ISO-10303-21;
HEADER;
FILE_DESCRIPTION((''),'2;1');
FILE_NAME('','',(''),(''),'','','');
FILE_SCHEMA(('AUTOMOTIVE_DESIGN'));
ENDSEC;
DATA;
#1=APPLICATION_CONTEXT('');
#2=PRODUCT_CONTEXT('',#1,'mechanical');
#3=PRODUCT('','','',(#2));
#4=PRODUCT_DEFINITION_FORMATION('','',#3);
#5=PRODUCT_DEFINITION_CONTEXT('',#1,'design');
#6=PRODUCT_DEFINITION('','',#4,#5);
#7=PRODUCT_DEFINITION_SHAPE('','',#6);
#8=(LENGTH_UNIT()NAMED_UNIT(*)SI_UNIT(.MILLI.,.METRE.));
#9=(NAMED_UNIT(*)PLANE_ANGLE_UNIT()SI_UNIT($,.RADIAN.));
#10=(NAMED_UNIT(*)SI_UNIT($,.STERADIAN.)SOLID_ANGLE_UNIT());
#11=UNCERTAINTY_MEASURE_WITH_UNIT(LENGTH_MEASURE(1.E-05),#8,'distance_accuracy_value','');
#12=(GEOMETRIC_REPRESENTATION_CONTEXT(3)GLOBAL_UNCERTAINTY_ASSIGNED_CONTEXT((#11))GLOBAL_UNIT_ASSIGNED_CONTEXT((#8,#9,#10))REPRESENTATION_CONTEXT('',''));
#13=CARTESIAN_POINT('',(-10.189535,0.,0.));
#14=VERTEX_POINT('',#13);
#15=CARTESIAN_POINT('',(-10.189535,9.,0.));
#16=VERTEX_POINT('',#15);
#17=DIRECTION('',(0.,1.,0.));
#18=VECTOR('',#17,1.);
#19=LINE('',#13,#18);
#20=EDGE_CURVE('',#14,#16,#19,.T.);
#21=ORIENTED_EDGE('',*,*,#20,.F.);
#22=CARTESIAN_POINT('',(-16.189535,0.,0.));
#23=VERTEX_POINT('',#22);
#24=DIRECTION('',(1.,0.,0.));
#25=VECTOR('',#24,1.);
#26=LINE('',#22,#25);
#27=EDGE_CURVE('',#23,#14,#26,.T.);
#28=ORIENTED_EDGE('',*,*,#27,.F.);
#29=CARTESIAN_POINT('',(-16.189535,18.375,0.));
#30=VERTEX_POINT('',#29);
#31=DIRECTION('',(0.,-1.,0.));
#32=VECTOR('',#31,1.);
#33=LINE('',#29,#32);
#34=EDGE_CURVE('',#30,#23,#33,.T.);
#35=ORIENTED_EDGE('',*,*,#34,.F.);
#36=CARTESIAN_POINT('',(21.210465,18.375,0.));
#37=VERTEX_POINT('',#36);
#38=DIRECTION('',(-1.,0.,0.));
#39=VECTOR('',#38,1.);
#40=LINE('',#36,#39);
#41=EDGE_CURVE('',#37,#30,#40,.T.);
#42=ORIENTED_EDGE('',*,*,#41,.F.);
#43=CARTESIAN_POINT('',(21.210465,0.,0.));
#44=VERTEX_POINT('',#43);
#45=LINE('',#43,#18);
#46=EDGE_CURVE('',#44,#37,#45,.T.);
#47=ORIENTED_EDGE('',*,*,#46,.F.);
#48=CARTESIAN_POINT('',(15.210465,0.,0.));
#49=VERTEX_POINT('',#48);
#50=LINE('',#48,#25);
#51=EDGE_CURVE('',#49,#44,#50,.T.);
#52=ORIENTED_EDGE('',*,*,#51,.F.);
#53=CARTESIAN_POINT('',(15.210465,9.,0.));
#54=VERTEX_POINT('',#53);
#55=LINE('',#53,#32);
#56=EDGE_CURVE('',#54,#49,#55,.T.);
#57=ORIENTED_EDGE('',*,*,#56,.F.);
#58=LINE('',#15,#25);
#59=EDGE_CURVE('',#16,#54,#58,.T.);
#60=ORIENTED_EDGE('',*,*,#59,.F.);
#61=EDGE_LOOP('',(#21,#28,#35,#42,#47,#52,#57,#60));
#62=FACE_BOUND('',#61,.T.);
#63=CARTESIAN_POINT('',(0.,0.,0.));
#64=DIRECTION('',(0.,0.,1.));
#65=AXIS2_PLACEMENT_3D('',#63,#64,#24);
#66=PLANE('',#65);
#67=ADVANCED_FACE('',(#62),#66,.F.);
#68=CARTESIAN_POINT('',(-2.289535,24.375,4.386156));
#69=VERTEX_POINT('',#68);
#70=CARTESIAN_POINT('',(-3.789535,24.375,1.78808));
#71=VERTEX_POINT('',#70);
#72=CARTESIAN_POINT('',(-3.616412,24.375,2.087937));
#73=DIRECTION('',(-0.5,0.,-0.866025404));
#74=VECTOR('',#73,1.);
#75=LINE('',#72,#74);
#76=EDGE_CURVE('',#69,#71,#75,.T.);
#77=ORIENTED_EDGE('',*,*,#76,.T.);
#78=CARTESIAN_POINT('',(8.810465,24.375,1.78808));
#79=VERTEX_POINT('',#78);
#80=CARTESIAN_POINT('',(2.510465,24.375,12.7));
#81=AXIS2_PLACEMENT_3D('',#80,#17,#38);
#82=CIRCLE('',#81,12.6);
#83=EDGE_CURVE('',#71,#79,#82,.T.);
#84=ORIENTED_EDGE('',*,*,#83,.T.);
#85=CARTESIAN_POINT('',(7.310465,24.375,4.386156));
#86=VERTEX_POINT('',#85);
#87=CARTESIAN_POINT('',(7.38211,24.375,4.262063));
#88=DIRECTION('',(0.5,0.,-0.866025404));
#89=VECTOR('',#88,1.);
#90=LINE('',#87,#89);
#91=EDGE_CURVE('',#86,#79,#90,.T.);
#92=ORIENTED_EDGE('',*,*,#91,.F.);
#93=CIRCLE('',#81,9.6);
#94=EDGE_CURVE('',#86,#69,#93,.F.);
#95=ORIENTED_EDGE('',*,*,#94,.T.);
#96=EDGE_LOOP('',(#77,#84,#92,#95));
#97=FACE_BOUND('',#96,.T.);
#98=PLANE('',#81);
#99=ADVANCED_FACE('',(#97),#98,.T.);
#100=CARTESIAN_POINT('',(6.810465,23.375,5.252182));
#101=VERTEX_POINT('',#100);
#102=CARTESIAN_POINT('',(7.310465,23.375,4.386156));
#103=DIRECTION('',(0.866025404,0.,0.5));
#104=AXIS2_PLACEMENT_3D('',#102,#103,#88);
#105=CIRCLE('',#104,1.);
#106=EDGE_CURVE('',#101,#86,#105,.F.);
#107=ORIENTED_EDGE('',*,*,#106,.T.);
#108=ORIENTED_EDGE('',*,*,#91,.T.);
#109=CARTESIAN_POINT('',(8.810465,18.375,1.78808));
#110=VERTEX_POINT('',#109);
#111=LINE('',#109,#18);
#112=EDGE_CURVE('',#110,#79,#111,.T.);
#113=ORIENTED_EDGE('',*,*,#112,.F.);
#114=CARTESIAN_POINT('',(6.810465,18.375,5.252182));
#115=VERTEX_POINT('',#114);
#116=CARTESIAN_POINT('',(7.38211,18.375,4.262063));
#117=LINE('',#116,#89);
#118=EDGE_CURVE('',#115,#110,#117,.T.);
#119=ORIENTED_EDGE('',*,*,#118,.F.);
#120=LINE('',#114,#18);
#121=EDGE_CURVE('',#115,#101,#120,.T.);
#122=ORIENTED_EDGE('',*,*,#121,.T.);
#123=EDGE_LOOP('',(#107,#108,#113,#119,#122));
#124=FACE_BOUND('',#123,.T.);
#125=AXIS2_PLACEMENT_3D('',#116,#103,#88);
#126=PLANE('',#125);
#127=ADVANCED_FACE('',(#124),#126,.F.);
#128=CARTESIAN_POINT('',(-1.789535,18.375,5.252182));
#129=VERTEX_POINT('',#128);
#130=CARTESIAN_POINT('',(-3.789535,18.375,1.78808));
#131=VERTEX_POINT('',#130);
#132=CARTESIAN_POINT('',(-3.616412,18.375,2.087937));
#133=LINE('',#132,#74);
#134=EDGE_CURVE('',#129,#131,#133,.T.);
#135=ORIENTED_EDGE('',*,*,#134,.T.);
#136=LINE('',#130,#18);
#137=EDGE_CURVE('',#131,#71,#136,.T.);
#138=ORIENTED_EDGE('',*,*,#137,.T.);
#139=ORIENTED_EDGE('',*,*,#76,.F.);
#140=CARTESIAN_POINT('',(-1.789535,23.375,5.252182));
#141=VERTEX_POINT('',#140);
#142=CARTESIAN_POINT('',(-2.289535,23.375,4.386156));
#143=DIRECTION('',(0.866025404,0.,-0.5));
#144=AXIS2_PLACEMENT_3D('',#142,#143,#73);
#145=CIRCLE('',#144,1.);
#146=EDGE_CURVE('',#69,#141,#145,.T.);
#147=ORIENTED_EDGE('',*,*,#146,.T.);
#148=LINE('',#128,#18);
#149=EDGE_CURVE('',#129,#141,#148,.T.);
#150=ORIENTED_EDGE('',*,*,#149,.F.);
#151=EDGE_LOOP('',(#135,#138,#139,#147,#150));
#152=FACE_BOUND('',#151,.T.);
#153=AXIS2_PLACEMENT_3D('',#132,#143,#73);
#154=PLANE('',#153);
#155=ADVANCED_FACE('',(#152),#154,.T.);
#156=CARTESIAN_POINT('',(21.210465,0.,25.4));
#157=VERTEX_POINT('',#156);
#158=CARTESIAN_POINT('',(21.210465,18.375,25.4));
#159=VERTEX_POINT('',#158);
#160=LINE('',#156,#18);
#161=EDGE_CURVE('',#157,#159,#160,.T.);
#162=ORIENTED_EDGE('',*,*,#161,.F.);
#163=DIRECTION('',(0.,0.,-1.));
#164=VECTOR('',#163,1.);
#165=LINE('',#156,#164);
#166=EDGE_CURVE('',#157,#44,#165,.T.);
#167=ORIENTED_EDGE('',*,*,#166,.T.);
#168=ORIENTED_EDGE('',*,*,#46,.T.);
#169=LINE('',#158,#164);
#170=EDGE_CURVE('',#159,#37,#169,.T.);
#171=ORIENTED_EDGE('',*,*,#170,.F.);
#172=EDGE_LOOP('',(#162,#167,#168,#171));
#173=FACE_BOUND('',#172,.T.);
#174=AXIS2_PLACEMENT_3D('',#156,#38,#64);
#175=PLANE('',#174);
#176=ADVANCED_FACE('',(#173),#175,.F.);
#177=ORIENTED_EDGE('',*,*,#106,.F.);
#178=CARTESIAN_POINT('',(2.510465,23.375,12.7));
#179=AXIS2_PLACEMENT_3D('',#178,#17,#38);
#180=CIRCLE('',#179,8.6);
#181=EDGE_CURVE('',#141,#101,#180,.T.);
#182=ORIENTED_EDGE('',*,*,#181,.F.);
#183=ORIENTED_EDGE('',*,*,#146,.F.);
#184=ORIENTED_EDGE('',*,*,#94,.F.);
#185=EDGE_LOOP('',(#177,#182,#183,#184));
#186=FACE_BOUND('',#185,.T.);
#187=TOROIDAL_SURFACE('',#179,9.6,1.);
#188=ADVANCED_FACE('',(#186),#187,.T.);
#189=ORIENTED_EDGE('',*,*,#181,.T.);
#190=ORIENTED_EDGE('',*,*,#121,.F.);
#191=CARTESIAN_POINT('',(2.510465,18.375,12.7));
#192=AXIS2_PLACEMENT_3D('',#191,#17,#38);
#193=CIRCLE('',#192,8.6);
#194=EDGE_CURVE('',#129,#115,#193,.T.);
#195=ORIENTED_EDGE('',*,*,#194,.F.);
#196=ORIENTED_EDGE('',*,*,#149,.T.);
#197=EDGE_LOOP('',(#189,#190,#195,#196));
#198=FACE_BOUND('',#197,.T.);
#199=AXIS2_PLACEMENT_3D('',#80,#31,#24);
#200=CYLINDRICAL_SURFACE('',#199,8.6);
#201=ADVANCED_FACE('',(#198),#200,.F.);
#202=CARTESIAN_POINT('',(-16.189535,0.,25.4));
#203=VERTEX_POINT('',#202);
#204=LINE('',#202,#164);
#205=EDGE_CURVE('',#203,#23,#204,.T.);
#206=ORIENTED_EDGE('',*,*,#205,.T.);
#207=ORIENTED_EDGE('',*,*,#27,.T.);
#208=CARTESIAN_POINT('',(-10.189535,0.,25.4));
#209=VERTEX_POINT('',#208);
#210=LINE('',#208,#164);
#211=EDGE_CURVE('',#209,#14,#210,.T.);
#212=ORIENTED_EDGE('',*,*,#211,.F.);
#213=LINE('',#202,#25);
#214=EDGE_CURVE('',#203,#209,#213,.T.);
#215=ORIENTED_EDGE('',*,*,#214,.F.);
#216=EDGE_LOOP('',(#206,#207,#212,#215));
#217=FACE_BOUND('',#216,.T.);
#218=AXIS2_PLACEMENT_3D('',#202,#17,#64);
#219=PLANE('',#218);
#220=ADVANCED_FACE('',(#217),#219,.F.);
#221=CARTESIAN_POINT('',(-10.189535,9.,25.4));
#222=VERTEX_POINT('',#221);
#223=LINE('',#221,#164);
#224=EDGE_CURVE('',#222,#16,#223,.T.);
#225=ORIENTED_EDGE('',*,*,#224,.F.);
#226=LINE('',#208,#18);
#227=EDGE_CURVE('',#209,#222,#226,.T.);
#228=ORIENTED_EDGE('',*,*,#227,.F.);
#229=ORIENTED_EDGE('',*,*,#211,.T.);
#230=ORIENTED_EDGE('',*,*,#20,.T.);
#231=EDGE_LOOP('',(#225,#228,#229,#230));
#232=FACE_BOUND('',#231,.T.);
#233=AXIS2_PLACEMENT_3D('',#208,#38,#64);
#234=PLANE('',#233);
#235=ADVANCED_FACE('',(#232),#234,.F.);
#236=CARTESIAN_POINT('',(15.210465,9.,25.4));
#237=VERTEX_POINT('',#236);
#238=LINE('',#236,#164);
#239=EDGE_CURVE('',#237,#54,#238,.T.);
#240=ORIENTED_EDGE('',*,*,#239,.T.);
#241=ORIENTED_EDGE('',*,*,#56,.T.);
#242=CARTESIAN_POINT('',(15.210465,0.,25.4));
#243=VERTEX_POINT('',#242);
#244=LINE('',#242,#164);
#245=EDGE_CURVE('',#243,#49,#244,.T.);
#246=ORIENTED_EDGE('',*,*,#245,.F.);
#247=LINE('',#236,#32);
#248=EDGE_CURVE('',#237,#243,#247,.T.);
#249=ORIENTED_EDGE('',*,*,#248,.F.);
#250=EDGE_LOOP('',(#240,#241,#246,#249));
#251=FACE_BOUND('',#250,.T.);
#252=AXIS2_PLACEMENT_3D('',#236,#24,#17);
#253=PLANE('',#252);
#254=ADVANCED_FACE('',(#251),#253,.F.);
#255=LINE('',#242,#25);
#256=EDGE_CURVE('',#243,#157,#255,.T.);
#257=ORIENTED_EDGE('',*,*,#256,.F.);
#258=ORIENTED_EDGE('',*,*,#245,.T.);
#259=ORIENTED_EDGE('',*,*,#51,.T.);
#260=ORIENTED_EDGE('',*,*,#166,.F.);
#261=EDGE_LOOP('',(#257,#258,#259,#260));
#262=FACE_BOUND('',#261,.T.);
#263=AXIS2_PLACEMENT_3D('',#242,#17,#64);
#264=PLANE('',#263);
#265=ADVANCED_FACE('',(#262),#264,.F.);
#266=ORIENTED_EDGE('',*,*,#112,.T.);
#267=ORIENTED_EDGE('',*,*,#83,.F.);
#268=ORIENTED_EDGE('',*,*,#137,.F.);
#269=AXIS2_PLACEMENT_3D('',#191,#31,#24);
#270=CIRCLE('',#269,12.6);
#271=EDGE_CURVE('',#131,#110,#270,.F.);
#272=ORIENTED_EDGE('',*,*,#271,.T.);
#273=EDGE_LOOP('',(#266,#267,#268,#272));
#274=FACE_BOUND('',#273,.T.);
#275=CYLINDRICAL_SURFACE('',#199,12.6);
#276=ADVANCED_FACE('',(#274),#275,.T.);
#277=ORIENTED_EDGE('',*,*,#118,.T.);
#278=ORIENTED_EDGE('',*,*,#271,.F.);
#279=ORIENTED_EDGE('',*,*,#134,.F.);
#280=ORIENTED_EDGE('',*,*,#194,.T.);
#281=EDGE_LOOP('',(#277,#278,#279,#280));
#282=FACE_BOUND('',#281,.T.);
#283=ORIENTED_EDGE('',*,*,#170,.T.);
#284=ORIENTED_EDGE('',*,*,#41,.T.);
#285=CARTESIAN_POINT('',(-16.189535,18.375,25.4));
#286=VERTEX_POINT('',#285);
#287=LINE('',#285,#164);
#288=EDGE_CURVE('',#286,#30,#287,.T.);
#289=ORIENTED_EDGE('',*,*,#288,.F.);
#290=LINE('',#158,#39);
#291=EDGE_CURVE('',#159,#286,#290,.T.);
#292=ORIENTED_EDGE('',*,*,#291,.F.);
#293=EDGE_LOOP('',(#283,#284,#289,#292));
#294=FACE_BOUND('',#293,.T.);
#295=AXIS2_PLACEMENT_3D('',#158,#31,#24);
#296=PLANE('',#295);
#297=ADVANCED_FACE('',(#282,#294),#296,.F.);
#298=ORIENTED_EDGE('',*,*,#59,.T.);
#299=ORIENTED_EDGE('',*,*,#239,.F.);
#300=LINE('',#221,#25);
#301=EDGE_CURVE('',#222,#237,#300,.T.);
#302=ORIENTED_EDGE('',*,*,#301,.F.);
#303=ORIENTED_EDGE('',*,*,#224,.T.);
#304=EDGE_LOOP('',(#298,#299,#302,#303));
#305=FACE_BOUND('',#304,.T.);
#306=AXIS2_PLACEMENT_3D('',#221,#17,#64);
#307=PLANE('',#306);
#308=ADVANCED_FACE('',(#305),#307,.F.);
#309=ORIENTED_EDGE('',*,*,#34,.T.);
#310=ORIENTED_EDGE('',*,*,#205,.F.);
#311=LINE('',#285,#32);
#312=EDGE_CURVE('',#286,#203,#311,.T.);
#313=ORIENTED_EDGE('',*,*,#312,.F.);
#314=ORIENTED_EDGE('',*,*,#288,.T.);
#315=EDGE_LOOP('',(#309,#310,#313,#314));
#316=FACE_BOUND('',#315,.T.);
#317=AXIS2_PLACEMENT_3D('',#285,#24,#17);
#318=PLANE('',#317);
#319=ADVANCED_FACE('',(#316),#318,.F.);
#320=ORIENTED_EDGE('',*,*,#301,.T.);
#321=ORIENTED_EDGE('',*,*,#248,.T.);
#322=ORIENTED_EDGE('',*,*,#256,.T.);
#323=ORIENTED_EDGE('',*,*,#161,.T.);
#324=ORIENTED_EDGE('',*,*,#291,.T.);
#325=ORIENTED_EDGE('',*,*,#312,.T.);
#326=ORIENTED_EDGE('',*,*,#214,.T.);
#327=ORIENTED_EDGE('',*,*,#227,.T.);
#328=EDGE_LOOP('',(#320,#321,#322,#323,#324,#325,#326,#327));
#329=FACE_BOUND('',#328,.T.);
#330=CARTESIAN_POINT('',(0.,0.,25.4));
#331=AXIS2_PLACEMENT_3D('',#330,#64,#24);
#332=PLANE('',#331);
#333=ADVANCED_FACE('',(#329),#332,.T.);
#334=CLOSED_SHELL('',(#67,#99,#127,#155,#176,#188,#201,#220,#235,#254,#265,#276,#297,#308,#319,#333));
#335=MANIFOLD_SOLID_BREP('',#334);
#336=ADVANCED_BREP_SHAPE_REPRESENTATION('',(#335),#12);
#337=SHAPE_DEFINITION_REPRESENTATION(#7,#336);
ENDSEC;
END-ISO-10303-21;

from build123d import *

# Parameters (mm, degrees)
BOSS_EXTRUDE1_DEPTH = 25.4
SKETCH2_R           = 12.6
SKETCH2_R_2         = 8.6
BOSS_EXTRUDE2_DEPTH = 6
CUT_EXTRUDE1_DEPTH  = 6
FILLET1_R           = 1


with BuildPart() as part:
    # Sketch1 → Boss-Extrude1 (new body)
    with BuildSketch(Plane.XY):
        Polygon((-10.189534884, 0), (-10.189534884, 9), (15.210465116, 9), (15.210465116, 0), (21.210465116, 0), (21.210465116, 18.375), (-16.189534884, 18.375), (-16.189534884, 0), align=None)
    extrude(amount=BOSS_EXTRUDE1_DEPTH)

    # Sketch2 → Boss-Extrude2 (add)
    with BuildSketch(Plane(origin=(0, 18.375, 0), x_dir=(1, 0, 0), z_dir=(0, 1, 0))):
        with Locations((2.510465116, -12.7)):
            Circle(SKETCH2_R)
        with Locations((2.510465116, -12.7)):
            Circle(SKETCH2_R_2, mode=Mode.SUBTRACT)
    extrude(amount=BOSS_EXTRUDE2_DEPTH)

    # Sketch3 → Cut-Extrude1 (cut)
    with BuildSketch(Plane(origin=(0, 24.375, 0), x_dir=(1, 0, 0), z_dir=(0, 1, 0))):
        with BuildLine():
            ThreePointArc((-1.789534884, -5.252181527), (0.284621328, -4.393037894), (2.510465116, -4.1))
            Line((2.510465116, -4.1), (2.510465116, -0.1))
            ThreePointArc((2.510465116, -0.1), (-0.750654852, -0.529334589), (-3.789534884, -1.788079912))
            Line((-3.789534884, -1.788079912), (-1.789534884, -5.252181527))
        make_face()
        with BuildLine():
            Line((2.510465116, -0.1), (2.510465116, -4.1))
            ThreePointArc((2.510465116, -4.1), (4.736308904, -4.393037894), (6.810465116, -5.252181527))
            Line((6.810465116, -5.252181527), (8.810465116, -1.788079912))
            ThreePointArc((8.810465116, -1.788079912), (5.771585085, -0.529334589), (2.510465116, -0.1))
        make_face()
    extrude(amount=-CUT_EXTRUDE1_DEPTH, mode=Mode.SUBTRACT)

    # Fillet1
    fillet1_edges = [part.edges().sort_by_distance(p)[0] for p in [
        (2.510465116, 24.375, 21.3),
    ]]
    fillet(fillet1_edges, radius=FILLET1_R)


solid = part.part
